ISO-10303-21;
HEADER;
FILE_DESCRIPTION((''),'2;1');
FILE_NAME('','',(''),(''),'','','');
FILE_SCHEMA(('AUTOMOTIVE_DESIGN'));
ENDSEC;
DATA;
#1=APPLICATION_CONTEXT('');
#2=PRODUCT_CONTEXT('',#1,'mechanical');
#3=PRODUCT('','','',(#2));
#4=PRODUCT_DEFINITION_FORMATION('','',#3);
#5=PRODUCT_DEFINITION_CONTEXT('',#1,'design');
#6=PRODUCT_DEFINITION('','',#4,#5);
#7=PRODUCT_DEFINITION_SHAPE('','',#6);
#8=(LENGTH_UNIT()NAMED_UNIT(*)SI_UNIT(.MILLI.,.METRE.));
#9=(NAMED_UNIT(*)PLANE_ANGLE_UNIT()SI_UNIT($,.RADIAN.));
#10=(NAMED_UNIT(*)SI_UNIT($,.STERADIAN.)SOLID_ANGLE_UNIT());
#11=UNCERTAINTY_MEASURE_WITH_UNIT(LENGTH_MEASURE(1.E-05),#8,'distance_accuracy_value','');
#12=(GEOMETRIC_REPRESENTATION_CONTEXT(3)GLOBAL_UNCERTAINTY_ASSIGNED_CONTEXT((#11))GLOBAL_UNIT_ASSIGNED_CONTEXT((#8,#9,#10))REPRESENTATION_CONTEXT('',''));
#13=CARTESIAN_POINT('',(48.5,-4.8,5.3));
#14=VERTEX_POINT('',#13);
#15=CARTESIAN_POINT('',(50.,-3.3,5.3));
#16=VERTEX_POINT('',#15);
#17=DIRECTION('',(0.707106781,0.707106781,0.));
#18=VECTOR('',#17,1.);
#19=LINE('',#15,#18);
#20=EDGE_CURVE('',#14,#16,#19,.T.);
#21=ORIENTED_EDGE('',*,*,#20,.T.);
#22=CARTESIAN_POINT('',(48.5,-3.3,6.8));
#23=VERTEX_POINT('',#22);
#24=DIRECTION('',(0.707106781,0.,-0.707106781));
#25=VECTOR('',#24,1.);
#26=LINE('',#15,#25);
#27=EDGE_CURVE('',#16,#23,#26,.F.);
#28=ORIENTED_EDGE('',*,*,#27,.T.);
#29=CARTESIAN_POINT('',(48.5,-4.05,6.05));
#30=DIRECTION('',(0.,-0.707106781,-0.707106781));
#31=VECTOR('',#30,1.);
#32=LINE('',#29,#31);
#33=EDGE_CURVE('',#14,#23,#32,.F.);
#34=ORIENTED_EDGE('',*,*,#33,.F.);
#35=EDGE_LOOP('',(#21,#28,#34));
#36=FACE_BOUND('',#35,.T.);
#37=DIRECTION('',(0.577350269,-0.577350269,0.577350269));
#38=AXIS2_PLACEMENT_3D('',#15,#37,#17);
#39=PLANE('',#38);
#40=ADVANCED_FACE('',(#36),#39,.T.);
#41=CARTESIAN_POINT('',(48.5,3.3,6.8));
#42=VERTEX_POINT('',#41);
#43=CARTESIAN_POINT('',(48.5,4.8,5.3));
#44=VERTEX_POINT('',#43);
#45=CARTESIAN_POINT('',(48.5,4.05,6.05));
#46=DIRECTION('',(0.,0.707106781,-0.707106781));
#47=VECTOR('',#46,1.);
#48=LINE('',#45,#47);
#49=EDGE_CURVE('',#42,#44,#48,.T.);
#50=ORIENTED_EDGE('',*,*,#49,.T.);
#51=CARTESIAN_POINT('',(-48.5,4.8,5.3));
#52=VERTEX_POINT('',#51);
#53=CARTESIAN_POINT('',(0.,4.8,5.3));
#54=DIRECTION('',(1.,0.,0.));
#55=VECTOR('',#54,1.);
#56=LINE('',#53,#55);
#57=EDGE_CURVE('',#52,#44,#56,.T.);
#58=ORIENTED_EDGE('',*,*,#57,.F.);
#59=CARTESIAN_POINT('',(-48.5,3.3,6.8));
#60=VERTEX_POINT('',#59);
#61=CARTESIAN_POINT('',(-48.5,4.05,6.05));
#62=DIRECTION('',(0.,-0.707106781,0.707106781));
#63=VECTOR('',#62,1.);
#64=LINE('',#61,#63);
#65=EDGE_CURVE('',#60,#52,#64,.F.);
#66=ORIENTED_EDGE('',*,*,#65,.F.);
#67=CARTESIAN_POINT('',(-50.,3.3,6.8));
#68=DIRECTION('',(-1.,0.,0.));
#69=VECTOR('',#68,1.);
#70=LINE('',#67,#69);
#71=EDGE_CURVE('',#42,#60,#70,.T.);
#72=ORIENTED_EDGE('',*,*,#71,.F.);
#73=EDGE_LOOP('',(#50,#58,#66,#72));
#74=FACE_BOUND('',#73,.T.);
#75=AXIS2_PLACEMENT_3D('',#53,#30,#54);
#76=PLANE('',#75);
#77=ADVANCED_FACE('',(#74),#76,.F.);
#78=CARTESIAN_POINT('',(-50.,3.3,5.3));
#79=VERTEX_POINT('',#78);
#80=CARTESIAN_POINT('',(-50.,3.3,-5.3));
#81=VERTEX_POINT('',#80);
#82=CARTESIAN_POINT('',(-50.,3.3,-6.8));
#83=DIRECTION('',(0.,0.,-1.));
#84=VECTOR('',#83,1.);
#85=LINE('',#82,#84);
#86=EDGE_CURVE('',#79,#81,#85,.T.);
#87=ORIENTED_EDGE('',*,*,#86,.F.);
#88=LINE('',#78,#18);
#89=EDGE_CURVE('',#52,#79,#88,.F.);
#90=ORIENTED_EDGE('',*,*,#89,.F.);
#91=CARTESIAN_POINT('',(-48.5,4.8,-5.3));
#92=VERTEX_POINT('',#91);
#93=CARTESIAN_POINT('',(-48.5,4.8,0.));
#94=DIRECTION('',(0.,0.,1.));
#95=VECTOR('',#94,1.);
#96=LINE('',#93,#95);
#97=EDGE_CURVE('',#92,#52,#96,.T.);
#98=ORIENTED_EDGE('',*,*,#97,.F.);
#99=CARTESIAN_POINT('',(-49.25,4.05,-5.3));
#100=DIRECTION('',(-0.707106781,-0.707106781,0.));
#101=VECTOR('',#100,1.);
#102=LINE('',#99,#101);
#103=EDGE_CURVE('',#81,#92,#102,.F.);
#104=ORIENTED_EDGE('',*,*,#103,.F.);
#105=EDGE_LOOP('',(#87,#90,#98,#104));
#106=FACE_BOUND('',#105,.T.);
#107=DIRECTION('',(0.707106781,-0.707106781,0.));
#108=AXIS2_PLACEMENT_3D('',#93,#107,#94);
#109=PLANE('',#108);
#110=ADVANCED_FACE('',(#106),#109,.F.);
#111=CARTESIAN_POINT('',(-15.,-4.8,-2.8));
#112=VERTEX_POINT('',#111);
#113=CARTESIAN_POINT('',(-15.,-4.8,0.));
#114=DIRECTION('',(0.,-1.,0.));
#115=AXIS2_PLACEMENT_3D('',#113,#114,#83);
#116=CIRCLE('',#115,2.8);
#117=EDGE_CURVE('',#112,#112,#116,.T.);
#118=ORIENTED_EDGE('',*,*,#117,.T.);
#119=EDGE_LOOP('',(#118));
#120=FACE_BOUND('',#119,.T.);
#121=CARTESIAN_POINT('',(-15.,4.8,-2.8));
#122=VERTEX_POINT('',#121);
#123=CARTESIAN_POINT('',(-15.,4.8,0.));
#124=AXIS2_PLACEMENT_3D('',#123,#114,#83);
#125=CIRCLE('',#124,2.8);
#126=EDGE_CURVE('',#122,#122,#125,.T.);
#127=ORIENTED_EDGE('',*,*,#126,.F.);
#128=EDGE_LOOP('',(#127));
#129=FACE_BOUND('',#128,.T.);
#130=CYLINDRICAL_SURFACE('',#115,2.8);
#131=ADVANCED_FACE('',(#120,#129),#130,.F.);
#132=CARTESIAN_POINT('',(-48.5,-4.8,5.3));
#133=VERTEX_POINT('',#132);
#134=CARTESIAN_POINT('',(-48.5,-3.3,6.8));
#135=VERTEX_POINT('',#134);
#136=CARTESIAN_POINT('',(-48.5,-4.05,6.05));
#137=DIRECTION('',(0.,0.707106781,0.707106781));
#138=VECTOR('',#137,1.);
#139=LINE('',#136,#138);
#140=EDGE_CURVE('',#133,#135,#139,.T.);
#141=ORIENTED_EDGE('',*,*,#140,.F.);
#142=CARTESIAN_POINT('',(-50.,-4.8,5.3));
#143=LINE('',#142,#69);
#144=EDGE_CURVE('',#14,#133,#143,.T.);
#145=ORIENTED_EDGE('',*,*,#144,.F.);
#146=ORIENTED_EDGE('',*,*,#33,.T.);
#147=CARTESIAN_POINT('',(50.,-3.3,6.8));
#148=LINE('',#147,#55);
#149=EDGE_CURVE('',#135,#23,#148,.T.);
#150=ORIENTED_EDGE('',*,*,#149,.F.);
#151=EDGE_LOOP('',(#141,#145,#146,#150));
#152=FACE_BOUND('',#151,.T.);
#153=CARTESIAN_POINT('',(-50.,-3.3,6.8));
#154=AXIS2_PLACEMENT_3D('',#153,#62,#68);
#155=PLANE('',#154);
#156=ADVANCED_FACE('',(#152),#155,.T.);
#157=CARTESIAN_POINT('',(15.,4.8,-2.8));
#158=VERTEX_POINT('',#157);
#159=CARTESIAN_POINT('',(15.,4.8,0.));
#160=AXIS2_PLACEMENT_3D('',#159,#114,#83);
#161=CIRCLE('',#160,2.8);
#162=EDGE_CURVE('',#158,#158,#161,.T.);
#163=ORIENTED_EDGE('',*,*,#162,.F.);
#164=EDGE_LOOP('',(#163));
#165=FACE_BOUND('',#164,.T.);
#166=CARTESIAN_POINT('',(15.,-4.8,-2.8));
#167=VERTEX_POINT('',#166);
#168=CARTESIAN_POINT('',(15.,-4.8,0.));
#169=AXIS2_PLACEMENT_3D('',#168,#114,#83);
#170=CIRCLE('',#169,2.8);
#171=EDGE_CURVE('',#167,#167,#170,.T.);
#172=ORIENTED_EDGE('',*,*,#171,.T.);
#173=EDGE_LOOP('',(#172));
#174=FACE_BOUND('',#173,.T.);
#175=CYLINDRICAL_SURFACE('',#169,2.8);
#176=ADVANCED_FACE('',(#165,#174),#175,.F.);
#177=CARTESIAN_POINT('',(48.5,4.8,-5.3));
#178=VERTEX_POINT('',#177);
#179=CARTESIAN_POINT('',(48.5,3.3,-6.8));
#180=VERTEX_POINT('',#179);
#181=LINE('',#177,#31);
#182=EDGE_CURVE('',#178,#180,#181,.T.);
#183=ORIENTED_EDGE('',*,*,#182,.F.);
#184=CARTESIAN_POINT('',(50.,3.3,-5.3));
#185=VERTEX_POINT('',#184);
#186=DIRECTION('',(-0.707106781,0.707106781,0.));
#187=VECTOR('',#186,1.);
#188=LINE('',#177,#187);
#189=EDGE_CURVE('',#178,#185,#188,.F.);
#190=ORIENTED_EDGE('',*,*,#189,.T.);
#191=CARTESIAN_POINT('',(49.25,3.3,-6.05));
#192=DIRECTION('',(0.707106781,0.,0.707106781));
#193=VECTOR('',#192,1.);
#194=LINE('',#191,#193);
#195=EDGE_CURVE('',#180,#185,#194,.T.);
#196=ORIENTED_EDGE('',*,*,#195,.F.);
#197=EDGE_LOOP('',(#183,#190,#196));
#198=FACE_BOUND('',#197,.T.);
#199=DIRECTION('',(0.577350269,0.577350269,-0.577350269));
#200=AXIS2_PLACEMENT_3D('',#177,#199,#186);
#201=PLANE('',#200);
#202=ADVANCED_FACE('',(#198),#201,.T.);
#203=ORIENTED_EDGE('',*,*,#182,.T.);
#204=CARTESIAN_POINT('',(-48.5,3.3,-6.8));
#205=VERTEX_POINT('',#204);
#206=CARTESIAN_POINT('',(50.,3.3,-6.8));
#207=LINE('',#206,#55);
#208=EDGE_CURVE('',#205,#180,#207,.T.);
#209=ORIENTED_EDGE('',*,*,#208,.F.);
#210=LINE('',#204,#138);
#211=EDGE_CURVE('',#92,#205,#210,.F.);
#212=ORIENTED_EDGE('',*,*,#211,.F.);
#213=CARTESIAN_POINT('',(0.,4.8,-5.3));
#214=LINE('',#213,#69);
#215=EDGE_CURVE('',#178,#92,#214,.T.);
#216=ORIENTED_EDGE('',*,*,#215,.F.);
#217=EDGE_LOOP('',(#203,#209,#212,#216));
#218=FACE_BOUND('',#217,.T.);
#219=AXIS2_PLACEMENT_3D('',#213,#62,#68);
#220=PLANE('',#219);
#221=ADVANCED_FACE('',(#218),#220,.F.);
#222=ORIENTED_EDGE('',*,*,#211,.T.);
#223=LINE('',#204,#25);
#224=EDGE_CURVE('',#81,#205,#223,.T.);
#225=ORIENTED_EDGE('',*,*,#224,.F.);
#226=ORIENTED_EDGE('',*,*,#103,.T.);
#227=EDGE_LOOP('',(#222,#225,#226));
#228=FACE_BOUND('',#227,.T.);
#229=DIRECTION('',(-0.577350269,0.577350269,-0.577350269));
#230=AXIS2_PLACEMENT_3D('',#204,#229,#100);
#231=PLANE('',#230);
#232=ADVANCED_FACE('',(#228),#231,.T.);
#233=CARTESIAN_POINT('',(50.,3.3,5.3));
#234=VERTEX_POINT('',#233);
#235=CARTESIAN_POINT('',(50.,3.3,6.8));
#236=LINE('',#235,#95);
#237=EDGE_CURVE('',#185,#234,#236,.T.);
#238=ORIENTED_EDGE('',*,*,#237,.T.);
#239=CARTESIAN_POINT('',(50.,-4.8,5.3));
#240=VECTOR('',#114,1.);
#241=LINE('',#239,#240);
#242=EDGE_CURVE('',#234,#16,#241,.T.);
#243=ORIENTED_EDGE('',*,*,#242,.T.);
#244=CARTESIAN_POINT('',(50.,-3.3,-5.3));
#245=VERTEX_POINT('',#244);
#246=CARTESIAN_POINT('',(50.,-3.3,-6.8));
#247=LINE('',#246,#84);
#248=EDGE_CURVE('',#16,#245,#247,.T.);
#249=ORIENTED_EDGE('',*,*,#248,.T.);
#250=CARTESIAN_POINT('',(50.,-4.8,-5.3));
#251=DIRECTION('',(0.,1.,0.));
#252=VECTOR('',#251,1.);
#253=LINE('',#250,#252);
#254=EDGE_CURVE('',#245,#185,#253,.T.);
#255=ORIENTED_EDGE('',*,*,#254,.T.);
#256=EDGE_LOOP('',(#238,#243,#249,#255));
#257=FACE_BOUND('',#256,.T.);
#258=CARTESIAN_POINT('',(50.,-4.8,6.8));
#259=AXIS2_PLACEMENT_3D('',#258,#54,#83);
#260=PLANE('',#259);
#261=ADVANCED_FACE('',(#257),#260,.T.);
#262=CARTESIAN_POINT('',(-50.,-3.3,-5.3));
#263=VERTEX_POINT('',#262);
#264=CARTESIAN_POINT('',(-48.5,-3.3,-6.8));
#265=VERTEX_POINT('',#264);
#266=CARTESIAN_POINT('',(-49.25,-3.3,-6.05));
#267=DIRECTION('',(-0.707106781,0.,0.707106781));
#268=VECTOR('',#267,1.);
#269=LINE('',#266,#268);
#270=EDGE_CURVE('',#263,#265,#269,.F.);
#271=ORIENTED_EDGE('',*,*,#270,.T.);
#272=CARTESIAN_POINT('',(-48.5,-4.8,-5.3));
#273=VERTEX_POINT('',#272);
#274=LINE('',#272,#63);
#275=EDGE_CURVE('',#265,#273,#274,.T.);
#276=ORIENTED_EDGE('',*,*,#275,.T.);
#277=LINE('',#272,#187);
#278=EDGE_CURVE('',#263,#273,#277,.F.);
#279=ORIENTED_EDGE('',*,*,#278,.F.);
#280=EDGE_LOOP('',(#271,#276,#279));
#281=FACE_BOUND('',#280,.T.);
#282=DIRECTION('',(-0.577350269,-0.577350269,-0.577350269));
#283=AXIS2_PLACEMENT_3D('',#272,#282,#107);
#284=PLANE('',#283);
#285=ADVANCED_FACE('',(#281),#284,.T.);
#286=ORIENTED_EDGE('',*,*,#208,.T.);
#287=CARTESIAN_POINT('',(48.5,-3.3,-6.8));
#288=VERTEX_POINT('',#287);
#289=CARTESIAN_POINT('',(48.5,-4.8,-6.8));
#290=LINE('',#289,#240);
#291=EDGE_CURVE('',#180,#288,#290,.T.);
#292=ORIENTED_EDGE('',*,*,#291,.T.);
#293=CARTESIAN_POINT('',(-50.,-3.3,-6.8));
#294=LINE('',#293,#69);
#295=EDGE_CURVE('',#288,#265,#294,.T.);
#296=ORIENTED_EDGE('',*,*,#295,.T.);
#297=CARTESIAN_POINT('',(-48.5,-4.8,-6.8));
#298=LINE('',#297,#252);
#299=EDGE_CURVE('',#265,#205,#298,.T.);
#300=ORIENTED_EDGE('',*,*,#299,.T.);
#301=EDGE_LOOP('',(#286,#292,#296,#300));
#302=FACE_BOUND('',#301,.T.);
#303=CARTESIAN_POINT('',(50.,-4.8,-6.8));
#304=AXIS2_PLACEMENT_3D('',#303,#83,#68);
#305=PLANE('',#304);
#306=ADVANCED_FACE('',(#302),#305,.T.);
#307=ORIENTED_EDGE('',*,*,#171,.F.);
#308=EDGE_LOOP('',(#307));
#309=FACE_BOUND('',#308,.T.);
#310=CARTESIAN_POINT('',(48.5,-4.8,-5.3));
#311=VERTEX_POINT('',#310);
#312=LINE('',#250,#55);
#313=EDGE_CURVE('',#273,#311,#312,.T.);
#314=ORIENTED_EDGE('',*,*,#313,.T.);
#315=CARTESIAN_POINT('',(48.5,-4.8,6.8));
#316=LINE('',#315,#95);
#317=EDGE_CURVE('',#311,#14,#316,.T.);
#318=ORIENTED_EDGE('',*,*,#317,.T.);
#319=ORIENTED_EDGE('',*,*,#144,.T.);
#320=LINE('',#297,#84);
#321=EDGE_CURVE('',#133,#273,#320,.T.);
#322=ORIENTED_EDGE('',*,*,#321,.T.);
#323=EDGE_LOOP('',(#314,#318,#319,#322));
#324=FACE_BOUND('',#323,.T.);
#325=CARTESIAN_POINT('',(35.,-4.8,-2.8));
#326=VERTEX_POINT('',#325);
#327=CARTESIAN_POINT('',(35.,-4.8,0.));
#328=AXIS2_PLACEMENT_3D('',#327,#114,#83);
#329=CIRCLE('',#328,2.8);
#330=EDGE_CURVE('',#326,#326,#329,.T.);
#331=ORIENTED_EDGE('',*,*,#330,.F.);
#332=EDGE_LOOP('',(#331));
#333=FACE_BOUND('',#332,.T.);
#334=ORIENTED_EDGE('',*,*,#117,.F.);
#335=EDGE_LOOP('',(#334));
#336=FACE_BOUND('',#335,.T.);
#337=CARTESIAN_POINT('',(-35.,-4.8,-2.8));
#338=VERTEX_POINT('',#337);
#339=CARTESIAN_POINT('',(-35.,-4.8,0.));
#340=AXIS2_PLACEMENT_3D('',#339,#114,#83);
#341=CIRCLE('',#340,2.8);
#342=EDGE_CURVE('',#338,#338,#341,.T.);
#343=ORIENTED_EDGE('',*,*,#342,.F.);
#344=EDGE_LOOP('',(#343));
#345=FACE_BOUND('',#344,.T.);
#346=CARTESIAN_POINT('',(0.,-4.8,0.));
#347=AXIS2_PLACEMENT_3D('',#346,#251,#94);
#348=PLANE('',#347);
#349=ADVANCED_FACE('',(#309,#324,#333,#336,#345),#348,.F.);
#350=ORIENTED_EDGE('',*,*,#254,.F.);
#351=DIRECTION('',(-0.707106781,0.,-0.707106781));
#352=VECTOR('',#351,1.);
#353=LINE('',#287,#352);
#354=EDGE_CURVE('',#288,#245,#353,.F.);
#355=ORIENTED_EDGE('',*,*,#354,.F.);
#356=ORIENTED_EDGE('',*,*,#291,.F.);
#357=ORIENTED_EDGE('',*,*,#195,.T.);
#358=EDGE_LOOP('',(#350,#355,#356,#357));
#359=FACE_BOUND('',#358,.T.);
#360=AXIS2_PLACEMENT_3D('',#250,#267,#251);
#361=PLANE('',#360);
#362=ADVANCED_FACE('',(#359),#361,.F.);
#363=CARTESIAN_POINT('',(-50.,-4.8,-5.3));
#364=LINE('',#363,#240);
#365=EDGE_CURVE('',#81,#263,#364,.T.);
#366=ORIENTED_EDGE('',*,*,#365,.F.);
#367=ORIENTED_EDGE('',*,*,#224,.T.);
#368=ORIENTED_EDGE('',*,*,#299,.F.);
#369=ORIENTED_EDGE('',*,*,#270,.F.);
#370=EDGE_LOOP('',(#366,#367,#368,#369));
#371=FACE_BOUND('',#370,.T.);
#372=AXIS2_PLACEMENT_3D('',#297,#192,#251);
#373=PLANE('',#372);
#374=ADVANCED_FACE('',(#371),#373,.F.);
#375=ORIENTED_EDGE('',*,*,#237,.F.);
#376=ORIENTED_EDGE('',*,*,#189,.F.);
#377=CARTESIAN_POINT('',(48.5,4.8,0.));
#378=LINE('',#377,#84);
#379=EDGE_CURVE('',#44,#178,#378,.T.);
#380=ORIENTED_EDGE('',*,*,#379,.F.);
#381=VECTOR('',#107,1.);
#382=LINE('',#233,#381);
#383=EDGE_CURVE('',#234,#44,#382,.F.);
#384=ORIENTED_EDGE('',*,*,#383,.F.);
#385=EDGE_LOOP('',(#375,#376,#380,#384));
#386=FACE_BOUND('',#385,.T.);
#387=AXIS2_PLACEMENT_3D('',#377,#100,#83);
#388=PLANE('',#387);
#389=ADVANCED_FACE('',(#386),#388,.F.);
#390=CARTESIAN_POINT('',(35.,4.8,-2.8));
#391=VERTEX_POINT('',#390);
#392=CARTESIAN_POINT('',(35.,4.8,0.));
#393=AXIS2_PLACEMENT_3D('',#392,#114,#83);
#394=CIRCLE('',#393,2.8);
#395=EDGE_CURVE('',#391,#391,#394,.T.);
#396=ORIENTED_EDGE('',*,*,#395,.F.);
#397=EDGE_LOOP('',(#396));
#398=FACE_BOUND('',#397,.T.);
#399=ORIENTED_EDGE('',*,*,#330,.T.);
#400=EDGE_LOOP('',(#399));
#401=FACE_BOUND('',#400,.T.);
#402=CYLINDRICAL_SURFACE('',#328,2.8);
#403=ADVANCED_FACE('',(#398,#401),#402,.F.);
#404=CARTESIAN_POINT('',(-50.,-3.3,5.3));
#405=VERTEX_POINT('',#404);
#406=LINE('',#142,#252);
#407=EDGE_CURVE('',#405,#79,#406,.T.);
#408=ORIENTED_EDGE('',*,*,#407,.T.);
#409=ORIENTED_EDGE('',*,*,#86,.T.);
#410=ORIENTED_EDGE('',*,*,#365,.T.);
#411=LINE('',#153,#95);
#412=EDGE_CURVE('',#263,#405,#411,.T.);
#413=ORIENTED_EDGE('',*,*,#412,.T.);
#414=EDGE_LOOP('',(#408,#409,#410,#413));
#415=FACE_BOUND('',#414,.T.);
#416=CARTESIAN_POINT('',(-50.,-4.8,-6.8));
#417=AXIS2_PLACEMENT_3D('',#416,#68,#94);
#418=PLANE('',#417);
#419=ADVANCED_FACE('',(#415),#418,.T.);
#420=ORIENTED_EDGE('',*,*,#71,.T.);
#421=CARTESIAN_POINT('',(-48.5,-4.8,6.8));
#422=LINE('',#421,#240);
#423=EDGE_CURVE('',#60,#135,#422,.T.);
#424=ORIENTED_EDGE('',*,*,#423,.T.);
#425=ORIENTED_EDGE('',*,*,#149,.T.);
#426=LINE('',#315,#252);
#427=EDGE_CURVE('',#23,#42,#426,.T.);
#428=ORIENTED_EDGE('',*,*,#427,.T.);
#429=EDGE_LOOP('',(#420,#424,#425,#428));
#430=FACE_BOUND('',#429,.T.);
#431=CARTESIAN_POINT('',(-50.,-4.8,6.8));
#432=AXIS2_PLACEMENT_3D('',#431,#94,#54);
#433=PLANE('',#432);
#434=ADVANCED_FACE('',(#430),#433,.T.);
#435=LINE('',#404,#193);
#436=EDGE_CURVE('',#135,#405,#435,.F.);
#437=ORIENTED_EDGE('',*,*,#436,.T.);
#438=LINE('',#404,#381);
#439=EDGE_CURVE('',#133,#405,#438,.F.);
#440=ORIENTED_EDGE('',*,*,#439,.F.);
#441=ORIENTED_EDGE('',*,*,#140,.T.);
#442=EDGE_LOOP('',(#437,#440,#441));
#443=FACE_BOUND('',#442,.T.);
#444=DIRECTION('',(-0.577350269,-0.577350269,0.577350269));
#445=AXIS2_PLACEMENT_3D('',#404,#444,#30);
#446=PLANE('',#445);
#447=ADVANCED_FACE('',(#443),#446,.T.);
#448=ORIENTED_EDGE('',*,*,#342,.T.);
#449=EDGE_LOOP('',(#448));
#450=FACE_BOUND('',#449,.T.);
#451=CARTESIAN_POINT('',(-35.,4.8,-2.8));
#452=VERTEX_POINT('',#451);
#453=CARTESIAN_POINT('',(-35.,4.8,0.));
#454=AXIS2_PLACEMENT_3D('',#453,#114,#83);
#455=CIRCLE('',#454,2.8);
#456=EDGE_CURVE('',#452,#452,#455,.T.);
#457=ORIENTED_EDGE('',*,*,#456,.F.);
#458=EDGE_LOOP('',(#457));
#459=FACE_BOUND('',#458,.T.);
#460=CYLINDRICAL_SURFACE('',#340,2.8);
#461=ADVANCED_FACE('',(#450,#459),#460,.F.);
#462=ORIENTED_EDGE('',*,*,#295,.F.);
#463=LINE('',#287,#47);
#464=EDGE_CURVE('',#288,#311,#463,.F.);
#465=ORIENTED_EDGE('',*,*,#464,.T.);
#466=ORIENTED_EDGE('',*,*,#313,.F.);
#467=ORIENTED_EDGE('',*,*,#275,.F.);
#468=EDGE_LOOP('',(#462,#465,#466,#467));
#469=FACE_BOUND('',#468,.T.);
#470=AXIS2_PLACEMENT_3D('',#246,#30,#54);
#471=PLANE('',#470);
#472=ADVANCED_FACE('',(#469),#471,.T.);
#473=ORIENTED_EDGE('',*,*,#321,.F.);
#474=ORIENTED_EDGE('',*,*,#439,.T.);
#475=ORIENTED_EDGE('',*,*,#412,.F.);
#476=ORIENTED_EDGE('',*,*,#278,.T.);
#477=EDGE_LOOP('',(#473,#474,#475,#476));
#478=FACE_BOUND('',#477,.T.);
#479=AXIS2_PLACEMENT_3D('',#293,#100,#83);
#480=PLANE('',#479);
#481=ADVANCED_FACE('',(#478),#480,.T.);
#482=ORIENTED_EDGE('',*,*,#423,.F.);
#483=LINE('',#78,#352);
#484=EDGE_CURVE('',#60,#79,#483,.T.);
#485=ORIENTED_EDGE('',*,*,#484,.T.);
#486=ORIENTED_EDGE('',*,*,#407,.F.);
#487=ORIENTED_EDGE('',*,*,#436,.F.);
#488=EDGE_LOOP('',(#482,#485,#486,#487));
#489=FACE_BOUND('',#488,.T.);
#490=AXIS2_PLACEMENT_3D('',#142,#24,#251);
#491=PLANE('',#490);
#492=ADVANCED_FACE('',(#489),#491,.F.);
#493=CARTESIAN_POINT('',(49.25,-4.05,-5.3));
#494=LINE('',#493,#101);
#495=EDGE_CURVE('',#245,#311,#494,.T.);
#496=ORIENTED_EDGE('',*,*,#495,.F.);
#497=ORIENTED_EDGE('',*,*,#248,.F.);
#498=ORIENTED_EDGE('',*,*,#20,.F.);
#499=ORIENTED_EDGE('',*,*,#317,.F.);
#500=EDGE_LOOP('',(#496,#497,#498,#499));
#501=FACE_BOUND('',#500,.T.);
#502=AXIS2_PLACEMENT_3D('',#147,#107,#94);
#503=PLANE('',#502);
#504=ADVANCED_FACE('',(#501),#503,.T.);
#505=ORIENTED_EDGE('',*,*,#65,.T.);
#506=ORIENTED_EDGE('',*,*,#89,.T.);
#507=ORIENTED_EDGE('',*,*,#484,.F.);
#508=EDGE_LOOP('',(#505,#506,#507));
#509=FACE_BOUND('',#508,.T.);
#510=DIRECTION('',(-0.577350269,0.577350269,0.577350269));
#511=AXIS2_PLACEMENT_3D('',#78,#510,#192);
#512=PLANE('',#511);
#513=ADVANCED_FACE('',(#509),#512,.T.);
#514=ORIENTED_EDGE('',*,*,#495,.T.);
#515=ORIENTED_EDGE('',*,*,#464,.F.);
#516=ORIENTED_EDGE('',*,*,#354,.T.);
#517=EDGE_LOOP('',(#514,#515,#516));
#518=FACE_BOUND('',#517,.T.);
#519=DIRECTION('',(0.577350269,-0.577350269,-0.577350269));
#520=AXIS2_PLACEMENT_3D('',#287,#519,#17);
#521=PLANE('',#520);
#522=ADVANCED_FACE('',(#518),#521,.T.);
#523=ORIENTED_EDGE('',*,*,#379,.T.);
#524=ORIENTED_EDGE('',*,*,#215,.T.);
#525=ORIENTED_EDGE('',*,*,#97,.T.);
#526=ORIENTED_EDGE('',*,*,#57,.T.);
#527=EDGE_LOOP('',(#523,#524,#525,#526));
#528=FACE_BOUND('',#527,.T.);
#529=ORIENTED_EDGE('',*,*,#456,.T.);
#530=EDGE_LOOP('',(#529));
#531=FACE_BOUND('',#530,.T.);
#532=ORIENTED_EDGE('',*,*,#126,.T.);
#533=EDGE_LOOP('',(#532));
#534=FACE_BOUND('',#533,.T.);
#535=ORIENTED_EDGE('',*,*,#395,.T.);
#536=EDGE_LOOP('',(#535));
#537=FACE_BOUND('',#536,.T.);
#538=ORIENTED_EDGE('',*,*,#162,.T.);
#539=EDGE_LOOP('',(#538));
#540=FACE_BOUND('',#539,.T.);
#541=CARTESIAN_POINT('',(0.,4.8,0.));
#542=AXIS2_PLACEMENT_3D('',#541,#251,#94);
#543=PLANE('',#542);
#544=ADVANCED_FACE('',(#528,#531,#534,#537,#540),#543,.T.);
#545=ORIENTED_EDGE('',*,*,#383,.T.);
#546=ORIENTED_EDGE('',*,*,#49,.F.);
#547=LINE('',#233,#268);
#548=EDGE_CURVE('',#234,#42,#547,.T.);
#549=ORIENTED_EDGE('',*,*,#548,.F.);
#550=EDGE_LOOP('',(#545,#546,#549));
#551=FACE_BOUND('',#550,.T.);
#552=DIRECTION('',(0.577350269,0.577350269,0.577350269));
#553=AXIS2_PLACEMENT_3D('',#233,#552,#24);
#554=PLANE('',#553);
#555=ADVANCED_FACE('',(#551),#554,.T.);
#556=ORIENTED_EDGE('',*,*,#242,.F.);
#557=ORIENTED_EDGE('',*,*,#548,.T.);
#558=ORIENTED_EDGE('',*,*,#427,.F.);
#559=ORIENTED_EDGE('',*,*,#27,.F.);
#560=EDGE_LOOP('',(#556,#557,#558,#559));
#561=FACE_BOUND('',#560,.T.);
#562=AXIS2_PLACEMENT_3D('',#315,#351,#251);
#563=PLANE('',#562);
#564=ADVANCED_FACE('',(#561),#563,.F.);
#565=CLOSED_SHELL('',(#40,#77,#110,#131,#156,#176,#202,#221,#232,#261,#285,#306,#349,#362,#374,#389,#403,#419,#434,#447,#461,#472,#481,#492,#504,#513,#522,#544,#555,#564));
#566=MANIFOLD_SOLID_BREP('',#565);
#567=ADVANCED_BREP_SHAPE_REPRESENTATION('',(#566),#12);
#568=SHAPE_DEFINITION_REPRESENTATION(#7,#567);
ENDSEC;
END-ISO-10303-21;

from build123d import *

# Parameters (mm, degrees)
SCHIZZO1_W                   = 100
SCHIZZO1_H                   = 13.6
ESTRUSIONE_ESTRUSIONE1_DEPTH = 9.6
FORO_5_6_5_6_1_D             = 5.6
SMUSSO1_SIZE                 = 1.5


with BuildPart() as part:
    # Schizzo1 → Estrusione-Estrusione1 (new body)
    with BuildSketch(Plane(origin=(0, 4.8, 0), x_dir=(1, 0, 0), z_dir=(0, 1, 0))):
        Rectangle(SCHIZZO1_W, SCHIZZO1_H)
    extrude(amount=-ESTRUSIONE_ESTRUSIONE1_DEPTH)

    # Foro Ø5.6 (5.6)-1 (through all)
    with Locations(Plane(origin=(0, -4.8, 0), x_dir=(-1, 0, 0), z_dir=(0, -1, 0))):
        with Locations((-35, 0), (35, 0), (-15, 0), (15, 0)):
            Hole(FORO_5_6_5_6_1_D / 2)

    # Smusso1
    smusso1_edges = [part.edges().sort_by_distance(p)[0] for p in [
        (0, -4.8, -6.8),
        (-50, -4.8, 0),
        (0, -4.8, 6.8),
        (-50, 4.8, 0),
        (0, 4.8, -6.8),
        (50, 4.8, 0),
        (0, 4.8, 6.8),
        (-50, 0, 6.8),
        (-50, 0, -6.8),
        (50, 0, -6.8),
        (50, 0, 6.8),
        (50, -4.8, 0),
    ]]
    chamfer(smusso1_edges, length=SMUSSO1_SIZE)


solid = part.part
